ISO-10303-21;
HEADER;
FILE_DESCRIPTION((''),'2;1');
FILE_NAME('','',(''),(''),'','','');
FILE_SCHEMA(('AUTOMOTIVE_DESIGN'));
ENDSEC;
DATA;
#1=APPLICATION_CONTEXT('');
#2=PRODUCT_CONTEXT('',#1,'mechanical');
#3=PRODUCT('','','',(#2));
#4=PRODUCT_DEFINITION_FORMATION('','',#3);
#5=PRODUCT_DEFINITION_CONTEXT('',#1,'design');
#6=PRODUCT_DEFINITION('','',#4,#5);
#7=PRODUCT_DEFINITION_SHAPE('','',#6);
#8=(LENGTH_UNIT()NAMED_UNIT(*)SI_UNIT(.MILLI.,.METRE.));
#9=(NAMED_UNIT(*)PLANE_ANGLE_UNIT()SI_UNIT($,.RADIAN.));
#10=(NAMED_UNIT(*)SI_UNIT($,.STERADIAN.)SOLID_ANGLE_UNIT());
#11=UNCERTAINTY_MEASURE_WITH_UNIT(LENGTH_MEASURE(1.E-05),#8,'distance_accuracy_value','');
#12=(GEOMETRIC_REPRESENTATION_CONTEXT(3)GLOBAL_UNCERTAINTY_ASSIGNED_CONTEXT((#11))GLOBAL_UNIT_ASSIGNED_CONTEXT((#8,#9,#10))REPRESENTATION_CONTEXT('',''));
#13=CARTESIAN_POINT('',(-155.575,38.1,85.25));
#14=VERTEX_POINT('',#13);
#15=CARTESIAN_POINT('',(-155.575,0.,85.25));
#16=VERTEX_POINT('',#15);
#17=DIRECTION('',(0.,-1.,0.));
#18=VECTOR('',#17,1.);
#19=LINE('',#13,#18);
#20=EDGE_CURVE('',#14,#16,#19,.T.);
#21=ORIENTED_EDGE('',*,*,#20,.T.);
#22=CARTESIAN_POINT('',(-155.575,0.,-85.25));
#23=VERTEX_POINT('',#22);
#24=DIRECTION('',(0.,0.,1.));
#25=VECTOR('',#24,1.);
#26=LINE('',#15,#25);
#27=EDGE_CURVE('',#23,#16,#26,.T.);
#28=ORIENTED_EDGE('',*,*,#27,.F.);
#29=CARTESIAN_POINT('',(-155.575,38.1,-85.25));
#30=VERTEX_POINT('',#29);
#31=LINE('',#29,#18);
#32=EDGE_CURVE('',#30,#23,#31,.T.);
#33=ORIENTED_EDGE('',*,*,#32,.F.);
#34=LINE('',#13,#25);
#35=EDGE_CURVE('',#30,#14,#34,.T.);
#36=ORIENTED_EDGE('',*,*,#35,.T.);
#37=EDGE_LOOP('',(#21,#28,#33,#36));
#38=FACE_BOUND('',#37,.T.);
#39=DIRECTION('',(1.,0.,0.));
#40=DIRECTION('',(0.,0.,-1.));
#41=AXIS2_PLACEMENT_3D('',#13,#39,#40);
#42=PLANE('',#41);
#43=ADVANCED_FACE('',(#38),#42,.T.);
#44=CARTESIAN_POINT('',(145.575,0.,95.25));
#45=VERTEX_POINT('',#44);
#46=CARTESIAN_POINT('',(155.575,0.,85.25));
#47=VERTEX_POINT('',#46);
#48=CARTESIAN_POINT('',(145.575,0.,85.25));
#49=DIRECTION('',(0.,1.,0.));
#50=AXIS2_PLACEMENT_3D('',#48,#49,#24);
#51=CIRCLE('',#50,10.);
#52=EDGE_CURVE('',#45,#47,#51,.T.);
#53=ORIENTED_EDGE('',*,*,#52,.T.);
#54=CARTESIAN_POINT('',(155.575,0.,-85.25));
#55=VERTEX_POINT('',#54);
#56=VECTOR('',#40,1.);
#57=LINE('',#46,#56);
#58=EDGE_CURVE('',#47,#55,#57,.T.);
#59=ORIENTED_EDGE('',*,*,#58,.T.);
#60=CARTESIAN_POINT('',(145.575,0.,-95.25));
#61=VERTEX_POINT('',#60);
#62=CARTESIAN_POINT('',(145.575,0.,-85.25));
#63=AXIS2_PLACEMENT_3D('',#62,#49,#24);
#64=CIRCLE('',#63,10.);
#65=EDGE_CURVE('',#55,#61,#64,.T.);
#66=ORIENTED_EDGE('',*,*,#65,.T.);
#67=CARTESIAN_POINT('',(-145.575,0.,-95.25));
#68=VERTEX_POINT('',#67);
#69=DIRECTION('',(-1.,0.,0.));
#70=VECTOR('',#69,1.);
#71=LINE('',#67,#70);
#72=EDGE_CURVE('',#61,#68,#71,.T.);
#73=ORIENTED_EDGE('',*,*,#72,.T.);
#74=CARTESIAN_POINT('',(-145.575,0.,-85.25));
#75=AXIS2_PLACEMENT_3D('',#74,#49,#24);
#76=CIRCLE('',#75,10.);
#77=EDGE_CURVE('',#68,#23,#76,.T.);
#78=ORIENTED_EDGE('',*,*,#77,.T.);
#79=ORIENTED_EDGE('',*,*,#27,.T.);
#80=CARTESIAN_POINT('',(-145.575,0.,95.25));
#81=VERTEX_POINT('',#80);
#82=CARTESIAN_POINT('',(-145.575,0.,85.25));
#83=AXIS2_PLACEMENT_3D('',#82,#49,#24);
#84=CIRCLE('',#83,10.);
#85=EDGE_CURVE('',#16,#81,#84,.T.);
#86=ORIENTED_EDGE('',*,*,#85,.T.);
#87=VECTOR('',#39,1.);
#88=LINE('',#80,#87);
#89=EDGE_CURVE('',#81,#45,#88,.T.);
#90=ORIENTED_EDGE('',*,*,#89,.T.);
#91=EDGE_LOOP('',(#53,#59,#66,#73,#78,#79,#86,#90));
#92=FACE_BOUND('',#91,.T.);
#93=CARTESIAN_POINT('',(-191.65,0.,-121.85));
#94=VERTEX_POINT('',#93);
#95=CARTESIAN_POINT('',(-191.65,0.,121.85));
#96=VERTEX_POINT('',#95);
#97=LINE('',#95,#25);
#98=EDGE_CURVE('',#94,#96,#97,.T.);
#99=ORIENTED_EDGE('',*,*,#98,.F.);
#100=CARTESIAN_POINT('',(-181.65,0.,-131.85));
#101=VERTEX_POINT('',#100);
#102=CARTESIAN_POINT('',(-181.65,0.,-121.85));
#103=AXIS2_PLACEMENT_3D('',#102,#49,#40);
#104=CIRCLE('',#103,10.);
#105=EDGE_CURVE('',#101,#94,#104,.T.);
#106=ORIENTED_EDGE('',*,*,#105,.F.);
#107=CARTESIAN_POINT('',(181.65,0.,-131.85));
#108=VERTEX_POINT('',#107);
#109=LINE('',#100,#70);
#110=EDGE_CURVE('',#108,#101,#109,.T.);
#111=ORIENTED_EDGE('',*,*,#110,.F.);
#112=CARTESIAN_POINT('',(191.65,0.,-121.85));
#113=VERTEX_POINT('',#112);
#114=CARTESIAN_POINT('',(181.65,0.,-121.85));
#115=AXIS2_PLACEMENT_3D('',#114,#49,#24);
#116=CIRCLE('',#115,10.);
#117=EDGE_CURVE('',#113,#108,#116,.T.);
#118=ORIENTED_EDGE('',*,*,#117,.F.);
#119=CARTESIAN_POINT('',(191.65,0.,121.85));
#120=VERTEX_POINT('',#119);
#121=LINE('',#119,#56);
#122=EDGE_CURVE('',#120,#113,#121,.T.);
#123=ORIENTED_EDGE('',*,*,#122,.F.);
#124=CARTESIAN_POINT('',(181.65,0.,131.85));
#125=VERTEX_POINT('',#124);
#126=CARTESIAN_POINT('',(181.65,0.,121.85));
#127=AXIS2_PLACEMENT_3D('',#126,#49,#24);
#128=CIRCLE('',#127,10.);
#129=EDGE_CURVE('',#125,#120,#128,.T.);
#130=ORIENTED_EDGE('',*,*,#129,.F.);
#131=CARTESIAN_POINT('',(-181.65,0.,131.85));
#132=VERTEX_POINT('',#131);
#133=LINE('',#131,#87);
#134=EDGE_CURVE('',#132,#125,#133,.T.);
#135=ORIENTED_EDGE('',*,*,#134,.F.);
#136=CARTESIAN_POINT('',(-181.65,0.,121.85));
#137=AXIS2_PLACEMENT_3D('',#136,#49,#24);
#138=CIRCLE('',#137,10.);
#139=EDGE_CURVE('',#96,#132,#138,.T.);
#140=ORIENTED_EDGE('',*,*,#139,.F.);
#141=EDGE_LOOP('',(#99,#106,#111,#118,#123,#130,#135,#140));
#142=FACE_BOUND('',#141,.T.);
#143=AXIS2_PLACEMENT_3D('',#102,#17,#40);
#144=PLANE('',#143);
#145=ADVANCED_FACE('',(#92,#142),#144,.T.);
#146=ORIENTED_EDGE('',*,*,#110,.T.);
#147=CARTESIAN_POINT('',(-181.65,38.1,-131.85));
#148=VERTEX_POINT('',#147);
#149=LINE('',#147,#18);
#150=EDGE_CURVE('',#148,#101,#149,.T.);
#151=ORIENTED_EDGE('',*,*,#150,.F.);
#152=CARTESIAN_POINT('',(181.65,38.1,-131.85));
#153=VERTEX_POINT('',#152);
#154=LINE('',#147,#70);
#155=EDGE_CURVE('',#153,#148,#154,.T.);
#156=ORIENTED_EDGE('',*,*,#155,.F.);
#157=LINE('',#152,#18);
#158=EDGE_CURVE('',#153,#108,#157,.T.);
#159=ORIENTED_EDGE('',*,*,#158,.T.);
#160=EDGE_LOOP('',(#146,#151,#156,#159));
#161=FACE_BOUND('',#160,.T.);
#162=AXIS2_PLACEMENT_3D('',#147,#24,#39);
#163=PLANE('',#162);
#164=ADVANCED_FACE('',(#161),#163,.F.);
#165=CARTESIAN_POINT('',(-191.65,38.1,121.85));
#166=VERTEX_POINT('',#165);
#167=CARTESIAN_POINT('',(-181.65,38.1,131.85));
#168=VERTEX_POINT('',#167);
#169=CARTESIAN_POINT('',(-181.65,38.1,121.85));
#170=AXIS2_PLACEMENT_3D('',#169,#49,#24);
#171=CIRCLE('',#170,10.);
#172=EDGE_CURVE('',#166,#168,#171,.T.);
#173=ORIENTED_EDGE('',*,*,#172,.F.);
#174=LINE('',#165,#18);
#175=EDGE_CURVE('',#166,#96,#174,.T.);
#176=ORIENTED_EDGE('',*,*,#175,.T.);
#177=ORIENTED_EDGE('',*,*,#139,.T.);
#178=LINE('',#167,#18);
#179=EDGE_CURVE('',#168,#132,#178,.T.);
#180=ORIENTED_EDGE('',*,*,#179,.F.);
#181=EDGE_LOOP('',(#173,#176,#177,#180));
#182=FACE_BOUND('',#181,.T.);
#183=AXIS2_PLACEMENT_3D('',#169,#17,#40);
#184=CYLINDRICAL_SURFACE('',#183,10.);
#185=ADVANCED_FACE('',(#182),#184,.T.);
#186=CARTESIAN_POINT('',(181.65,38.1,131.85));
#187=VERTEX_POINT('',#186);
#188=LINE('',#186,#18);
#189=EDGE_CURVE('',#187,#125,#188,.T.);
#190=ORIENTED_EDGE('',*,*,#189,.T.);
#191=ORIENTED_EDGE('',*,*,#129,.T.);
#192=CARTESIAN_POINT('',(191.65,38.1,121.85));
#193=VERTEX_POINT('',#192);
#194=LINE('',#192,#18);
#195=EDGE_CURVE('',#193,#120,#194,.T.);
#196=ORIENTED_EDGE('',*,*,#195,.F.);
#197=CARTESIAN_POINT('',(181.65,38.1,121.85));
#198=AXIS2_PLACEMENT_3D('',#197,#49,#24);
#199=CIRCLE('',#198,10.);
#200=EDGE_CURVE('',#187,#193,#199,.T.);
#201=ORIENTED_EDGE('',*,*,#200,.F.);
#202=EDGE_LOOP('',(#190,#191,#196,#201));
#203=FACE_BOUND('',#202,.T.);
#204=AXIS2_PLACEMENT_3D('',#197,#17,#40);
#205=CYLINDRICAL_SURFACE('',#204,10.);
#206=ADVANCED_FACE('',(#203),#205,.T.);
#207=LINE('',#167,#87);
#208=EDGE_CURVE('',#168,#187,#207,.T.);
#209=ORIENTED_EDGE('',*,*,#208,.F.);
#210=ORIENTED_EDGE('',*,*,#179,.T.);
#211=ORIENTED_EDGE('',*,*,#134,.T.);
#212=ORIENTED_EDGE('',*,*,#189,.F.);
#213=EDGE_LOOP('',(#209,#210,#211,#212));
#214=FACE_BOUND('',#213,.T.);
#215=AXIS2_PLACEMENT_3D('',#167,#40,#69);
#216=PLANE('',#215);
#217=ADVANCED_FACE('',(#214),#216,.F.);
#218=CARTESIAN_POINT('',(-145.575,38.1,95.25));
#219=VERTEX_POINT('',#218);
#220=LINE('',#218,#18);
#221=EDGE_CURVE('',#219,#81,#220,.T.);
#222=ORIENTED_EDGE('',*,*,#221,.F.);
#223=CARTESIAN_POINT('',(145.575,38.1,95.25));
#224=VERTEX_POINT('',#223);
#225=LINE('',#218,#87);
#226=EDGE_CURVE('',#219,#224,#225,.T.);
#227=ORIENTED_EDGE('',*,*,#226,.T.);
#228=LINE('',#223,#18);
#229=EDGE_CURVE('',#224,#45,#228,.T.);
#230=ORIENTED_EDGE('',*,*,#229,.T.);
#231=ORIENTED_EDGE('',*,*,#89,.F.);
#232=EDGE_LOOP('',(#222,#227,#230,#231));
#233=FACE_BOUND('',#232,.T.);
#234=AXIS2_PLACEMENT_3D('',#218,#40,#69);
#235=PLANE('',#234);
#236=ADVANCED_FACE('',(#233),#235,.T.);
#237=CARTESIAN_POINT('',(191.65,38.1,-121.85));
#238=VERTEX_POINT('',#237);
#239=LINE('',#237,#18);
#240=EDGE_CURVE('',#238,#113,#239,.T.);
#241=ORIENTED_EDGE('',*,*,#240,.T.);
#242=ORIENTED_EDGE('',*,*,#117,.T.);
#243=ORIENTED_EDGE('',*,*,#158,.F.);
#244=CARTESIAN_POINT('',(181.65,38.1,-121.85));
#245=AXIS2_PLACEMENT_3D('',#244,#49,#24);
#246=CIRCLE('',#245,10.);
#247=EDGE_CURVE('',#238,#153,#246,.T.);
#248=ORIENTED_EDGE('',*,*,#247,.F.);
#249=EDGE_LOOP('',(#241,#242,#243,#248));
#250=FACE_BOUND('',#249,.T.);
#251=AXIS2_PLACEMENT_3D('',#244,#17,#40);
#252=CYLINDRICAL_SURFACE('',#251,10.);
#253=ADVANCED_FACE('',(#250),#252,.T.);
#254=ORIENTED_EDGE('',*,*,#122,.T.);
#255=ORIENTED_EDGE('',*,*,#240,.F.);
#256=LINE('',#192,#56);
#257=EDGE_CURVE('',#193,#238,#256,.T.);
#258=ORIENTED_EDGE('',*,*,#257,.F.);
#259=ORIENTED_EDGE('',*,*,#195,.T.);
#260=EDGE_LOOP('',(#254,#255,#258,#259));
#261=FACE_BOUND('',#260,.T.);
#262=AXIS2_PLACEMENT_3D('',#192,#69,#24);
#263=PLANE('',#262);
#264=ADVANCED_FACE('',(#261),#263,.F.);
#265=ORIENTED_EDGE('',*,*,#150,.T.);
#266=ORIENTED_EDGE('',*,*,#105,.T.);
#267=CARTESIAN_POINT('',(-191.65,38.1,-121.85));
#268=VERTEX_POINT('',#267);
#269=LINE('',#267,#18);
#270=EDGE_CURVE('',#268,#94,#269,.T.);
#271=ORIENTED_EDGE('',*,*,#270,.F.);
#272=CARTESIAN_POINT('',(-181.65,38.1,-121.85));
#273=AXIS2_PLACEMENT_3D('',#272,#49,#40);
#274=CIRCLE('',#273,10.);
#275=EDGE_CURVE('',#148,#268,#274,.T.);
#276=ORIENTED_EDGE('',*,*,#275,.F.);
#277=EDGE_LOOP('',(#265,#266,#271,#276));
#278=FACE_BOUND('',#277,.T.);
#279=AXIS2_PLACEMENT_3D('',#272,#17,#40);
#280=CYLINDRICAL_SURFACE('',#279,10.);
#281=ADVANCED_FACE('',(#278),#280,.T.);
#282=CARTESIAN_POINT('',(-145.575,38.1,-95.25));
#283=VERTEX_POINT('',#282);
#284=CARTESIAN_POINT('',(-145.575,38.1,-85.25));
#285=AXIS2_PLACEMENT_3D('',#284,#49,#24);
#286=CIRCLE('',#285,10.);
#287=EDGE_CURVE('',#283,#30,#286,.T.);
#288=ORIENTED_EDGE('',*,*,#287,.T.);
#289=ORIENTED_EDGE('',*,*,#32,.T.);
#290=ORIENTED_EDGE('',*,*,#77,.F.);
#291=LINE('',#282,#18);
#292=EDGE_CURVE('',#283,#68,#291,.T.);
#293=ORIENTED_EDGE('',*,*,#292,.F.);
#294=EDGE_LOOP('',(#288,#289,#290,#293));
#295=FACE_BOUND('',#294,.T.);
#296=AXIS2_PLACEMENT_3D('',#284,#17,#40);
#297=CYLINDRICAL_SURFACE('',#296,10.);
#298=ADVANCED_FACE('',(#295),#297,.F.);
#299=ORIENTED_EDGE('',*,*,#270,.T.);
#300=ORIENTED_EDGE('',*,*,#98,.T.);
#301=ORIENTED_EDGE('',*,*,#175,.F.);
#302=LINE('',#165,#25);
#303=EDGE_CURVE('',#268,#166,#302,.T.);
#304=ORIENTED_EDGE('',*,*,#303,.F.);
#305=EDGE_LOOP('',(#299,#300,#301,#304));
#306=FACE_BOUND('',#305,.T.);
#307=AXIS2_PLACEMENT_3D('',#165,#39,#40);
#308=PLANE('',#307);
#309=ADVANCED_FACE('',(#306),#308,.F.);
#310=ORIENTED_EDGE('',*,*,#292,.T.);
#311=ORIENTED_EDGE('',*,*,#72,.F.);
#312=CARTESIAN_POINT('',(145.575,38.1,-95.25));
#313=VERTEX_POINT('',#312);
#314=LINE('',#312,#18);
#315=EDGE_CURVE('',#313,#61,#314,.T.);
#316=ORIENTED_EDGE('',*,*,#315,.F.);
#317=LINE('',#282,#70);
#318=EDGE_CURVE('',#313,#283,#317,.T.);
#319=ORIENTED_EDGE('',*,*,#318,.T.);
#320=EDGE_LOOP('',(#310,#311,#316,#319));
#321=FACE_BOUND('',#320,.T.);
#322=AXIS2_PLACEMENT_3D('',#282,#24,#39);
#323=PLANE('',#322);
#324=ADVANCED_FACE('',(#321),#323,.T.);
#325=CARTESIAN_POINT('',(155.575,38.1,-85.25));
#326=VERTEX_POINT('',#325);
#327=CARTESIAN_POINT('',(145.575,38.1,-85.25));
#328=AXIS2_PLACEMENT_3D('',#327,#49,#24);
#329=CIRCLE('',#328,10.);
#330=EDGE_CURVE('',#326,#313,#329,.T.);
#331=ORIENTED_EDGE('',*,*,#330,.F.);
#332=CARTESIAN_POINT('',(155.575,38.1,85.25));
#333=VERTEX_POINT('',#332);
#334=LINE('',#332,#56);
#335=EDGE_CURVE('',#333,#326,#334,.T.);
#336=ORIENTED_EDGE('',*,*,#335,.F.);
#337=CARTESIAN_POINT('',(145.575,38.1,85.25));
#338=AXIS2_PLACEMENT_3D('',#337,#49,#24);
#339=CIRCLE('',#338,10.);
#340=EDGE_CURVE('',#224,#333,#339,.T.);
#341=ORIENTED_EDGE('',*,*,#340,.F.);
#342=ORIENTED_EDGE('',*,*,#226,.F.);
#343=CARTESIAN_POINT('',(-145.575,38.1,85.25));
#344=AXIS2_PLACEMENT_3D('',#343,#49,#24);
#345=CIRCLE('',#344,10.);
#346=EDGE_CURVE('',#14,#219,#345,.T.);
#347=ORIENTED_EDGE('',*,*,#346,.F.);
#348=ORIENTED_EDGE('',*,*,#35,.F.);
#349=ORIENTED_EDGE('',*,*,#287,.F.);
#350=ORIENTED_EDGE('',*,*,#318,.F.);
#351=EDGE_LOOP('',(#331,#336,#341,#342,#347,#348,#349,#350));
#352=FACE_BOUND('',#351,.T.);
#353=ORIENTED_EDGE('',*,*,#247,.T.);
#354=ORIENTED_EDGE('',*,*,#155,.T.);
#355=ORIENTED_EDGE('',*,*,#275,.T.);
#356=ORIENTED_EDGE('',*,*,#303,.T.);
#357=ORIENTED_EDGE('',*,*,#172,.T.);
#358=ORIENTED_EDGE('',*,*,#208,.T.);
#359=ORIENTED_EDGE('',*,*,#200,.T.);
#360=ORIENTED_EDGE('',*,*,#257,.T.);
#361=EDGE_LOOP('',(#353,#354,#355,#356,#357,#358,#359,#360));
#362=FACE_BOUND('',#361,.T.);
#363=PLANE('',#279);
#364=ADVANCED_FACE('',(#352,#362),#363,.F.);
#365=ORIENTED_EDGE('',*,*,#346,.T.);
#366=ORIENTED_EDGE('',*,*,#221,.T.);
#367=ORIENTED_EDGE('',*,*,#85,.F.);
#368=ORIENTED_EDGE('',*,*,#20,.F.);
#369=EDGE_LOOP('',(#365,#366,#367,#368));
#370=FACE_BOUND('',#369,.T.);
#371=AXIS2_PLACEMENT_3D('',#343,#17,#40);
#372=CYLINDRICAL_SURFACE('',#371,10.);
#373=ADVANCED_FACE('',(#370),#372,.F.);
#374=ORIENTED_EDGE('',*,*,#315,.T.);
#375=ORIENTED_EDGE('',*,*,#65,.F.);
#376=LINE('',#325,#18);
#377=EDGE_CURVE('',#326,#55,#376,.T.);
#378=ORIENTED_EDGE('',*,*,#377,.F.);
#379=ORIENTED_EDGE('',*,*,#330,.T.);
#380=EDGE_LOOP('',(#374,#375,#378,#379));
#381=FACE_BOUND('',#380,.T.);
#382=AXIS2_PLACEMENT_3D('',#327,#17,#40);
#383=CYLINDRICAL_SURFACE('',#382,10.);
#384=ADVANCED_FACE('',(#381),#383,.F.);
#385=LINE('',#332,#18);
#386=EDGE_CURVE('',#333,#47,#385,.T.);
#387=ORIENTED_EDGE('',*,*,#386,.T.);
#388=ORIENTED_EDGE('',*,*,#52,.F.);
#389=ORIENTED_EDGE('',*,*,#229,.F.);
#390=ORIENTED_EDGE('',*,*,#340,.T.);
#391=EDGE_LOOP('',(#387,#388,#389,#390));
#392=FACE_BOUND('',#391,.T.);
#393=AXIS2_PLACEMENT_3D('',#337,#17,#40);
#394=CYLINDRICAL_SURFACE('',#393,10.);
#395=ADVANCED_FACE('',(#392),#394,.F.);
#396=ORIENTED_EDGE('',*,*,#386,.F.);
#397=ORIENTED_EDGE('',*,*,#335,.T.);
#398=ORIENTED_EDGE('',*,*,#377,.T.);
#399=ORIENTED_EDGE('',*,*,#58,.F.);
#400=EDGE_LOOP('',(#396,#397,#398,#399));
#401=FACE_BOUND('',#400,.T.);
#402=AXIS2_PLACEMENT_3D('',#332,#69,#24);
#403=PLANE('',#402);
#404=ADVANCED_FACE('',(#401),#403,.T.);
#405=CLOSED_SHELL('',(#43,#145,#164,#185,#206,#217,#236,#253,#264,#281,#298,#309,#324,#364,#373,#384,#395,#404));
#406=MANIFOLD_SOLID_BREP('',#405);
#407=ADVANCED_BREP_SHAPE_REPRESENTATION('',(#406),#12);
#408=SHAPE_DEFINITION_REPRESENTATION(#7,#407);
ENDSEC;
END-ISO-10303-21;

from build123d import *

# Parameters (mm, degrees)
BOSS_EXTRUDE1_DEPTH = 38.1


with BuildPart() as part:
    # Sketch1 → Boss-Extrude1 (new body)
    with BuildSketch(Plane(origin=(0, 0, 0), x_dir=(1, 0, 0), z_dir=(0, 1, 0))):
        with BuildLine():
            Line((-181.65, -131.85), (181.65, -131.85))
            ThreePointArc((181.65, -131.85), (188.721067812, -128.921067812), (191.65, -121.85))
            Line((191.65, -121.85), (191.65, 121.85))
            ThreePointArc((191.65, 121.85), (188.721067812, 128.921067812), (181.65, 131.85))
            Line((181.65, 131.85), (-181.65, 131.85))
            ThreePointArc((-181.65, 131.85), (-188.721067812, 128.921067812), (-191.65, 121.85))
            Line((-191.65, 121.85), (-191.65, -121.85))
            ThreePointArc((-191.65, -121.85), (-188.721067812, -128.921067812), (-181.65, -131.85))
        make_face()
        with BuildLine():
            Line((-145.575, -95.25), (145.575, -95.25))
            ThreePointArc((145.575, -95.25), (152.646067812, -92.321067812), (155.575, -85.25))
            Line((155.575, -85.25), (155.575, 85.25))
            ThreePointArc((155.575, 85.25), (152.646067812, 92.321067812), (145.575, 95.25))
            Line((145.575, 95.25), (-145.575, 95.25))
            ThreePointArc((-145.575, 95.25), (-152.646067812, 92.321067812), (-155.575, 85.25))
            Line((-155.575, 85.25), (-155.575, -85.25))
            ThreePointArc((-155.575, -85.25), (-152.646067812, -92.321067812), (-145.575, -95.25))
        make_face(mode=Mode.SUBTRACT)
    extrude(amount=BOSS_EXTRUDE1_DEPTH)


solid = part.part
